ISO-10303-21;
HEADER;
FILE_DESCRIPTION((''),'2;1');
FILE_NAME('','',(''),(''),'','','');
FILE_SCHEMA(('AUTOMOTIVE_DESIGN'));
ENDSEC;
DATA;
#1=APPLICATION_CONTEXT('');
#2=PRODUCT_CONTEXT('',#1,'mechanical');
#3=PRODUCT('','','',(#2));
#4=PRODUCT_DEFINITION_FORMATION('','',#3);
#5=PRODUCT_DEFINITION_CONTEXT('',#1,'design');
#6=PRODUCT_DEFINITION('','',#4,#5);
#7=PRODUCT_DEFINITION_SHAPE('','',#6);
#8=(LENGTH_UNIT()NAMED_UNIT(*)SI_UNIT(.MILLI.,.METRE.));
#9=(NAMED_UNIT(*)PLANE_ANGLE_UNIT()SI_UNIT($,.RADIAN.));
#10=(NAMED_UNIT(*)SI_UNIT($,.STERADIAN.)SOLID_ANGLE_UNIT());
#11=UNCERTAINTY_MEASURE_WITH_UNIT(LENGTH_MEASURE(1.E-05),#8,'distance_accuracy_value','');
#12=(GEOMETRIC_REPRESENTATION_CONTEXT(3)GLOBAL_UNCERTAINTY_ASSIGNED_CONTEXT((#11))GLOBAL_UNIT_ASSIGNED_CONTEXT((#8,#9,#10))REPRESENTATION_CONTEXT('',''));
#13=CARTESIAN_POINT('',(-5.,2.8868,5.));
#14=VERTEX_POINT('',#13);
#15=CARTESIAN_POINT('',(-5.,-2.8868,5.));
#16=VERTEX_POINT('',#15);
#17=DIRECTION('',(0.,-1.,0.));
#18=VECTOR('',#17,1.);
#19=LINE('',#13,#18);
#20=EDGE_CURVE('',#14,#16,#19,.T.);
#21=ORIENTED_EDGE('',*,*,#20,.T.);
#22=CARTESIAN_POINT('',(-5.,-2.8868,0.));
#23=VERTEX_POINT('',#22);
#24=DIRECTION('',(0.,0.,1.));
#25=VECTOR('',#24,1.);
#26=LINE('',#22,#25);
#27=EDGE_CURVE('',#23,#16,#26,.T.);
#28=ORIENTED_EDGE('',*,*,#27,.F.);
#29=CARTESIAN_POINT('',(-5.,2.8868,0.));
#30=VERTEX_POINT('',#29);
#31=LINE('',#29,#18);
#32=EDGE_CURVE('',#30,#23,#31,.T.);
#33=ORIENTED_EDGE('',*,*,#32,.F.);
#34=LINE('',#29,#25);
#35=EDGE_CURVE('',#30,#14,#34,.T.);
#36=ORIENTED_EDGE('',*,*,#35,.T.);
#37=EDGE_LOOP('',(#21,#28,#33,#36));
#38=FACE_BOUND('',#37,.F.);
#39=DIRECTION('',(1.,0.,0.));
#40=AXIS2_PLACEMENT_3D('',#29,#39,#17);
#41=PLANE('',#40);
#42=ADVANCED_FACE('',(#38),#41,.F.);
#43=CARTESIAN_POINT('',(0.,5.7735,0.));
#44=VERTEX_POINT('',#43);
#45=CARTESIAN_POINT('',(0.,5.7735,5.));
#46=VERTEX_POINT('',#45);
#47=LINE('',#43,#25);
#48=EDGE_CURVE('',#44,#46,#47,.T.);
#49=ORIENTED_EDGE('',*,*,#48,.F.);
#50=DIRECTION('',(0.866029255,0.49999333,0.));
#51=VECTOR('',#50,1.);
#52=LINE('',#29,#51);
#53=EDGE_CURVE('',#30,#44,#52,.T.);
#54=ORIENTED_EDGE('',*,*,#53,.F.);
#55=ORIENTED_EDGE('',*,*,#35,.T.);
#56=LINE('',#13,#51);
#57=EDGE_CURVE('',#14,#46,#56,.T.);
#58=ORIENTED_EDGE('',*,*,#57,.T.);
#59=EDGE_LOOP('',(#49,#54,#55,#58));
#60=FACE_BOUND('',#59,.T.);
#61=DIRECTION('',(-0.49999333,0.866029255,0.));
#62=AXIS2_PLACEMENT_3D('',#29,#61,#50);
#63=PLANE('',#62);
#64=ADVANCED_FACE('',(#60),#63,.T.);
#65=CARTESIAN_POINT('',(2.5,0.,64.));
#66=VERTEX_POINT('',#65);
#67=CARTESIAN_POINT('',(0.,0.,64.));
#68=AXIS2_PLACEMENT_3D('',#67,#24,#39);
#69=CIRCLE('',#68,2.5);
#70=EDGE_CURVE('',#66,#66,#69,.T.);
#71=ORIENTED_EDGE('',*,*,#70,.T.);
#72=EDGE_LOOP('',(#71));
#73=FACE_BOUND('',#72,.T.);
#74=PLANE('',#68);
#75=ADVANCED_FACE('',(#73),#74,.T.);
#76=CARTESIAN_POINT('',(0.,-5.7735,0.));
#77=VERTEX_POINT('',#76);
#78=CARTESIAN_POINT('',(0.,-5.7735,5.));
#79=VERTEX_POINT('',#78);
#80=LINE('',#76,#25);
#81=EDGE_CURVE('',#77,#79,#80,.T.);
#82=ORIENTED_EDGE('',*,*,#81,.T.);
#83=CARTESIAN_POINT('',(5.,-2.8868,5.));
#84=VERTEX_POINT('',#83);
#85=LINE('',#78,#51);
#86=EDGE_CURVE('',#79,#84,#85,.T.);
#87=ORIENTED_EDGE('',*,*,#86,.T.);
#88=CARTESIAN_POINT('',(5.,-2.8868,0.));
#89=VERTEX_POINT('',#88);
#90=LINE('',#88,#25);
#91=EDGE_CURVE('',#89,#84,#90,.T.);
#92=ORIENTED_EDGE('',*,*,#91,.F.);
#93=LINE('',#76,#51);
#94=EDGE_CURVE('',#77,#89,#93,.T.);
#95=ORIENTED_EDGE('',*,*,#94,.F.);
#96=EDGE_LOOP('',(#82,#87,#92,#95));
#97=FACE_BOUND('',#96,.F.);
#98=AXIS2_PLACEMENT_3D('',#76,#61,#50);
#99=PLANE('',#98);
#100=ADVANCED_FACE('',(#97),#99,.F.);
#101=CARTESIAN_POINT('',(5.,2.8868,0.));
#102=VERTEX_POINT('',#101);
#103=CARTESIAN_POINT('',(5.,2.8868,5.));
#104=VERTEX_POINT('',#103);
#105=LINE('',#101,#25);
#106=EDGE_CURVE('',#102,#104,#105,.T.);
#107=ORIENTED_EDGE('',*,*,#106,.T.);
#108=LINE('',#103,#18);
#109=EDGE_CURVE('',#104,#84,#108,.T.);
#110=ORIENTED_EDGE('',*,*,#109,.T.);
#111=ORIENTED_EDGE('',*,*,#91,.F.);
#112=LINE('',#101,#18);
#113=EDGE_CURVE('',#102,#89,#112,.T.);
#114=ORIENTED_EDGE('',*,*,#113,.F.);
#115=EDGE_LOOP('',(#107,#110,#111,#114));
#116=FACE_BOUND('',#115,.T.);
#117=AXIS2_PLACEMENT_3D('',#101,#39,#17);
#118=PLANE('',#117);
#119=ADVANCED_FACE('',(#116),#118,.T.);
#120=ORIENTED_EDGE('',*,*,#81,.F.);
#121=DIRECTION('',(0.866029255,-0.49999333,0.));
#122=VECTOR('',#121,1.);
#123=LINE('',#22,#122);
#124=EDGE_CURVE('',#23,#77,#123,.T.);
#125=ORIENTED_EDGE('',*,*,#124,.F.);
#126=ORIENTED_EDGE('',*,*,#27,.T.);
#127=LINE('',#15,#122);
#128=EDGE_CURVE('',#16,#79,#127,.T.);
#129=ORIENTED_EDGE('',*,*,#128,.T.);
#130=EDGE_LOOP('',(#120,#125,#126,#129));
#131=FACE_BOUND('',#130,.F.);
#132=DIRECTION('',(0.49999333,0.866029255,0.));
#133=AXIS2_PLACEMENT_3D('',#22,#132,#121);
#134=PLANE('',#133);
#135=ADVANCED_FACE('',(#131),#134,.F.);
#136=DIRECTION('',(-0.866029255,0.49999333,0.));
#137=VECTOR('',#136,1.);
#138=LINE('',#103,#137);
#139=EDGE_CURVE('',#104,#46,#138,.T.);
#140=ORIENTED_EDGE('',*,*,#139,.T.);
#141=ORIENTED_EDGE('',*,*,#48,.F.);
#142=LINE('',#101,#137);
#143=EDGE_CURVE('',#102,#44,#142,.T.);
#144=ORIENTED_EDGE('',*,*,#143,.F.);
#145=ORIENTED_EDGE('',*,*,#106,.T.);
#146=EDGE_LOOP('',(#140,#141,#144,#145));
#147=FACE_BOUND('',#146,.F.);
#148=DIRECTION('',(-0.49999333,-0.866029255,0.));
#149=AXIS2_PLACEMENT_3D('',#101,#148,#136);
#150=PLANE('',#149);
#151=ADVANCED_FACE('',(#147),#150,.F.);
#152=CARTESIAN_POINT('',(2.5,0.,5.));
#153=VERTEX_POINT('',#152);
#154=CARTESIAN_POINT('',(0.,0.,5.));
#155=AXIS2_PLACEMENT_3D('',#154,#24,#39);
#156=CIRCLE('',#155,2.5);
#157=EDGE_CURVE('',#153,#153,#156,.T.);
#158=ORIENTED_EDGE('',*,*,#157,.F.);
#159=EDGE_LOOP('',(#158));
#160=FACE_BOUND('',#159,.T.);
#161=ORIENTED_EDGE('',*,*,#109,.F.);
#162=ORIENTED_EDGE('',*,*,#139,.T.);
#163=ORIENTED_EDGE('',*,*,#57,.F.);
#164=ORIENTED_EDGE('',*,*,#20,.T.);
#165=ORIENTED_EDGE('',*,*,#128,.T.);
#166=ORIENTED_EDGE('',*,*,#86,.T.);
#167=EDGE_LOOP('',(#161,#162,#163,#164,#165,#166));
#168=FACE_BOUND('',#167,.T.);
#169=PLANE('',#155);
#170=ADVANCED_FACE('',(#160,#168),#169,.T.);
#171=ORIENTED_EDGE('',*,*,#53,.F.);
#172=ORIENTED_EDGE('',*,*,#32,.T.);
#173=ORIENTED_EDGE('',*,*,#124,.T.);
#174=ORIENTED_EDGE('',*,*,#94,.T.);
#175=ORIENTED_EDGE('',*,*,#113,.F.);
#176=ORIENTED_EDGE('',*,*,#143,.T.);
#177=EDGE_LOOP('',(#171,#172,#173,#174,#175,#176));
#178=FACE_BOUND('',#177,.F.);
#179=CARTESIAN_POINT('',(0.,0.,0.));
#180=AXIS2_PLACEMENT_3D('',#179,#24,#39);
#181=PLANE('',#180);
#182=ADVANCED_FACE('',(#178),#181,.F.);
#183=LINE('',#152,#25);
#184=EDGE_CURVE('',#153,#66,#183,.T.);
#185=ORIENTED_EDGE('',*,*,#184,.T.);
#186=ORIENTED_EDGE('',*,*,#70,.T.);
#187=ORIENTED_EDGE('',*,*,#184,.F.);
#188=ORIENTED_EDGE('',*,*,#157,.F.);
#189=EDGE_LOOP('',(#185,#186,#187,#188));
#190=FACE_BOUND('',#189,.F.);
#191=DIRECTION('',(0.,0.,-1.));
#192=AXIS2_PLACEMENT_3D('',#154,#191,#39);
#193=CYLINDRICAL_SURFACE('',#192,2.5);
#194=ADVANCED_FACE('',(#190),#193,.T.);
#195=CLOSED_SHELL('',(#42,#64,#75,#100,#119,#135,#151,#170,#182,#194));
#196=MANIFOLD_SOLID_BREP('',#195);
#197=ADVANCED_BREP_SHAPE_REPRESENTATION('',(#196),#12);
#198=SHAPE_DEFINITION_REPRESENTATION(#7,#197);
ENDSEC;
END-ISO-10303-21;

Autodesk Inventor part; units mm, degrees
ref_plane "YZ Plane" through (0, 0, 0) normal (1, 0, 0) x (0, 1, 0)
ref_plane "XZ Plane" through (0, 0, 0) normal (0, 1, 0) x (-1, 0, 0)
ref_plane "XY Plane" through (0, 0, 0) normal (0, 0, 1) x (1, 0, 0)
sketch "Sketch1" plane through (0, 0, 0) normal (0, 0, 1) x (1, 0, 0)
  line L0 (5, 2.8868) -> (5, -2.8868)
  line L1 (5, 2.8868) -> (0, 5.7735)
  line L2 (-5, 2.8868) -> (0, 5.7735)
  line L3 (0, -5.7735) -> (5, -2.8868)
  line L4 (-5, 2.8868) -> (-5, -2.8868)
  line L5 (-5, -2.8868) -> (0, -5.7735)
  point P0 (0, 0)
  point P1 (0, 0)
  point P2 (0, 0)
  point P3 (0, 0)
  point P4 (0, 0)
  point P5 (0, 0)
  dimension "d0" = 120
  dimension "d1" = 120
  dimension "d2" = 120
  dimension "d3" = 120
  dimension "d4" = 120
  dimension "d5" = 120
  dimension "d6" = 10
  dimension "d7" = 5
extrude "Extrusion1" add sketch "Sketch1" along normal blind 5
sketch "Sketch2" plane through (0, 0, 5) normal (0, 0, 1) x (1, 0, 0)
  circle A0 centre (0, 0) radius 2.5
  dimension "d10" = 5
extrude "Extrusion2" add sketch "Sketch2" along normal blind 59
thread "Thread1" size "M5x0.8" class "6g" standard "ANSI Metric M Profile" full length
properties part number "m5-bolt-long" material "Steel, Mild"
